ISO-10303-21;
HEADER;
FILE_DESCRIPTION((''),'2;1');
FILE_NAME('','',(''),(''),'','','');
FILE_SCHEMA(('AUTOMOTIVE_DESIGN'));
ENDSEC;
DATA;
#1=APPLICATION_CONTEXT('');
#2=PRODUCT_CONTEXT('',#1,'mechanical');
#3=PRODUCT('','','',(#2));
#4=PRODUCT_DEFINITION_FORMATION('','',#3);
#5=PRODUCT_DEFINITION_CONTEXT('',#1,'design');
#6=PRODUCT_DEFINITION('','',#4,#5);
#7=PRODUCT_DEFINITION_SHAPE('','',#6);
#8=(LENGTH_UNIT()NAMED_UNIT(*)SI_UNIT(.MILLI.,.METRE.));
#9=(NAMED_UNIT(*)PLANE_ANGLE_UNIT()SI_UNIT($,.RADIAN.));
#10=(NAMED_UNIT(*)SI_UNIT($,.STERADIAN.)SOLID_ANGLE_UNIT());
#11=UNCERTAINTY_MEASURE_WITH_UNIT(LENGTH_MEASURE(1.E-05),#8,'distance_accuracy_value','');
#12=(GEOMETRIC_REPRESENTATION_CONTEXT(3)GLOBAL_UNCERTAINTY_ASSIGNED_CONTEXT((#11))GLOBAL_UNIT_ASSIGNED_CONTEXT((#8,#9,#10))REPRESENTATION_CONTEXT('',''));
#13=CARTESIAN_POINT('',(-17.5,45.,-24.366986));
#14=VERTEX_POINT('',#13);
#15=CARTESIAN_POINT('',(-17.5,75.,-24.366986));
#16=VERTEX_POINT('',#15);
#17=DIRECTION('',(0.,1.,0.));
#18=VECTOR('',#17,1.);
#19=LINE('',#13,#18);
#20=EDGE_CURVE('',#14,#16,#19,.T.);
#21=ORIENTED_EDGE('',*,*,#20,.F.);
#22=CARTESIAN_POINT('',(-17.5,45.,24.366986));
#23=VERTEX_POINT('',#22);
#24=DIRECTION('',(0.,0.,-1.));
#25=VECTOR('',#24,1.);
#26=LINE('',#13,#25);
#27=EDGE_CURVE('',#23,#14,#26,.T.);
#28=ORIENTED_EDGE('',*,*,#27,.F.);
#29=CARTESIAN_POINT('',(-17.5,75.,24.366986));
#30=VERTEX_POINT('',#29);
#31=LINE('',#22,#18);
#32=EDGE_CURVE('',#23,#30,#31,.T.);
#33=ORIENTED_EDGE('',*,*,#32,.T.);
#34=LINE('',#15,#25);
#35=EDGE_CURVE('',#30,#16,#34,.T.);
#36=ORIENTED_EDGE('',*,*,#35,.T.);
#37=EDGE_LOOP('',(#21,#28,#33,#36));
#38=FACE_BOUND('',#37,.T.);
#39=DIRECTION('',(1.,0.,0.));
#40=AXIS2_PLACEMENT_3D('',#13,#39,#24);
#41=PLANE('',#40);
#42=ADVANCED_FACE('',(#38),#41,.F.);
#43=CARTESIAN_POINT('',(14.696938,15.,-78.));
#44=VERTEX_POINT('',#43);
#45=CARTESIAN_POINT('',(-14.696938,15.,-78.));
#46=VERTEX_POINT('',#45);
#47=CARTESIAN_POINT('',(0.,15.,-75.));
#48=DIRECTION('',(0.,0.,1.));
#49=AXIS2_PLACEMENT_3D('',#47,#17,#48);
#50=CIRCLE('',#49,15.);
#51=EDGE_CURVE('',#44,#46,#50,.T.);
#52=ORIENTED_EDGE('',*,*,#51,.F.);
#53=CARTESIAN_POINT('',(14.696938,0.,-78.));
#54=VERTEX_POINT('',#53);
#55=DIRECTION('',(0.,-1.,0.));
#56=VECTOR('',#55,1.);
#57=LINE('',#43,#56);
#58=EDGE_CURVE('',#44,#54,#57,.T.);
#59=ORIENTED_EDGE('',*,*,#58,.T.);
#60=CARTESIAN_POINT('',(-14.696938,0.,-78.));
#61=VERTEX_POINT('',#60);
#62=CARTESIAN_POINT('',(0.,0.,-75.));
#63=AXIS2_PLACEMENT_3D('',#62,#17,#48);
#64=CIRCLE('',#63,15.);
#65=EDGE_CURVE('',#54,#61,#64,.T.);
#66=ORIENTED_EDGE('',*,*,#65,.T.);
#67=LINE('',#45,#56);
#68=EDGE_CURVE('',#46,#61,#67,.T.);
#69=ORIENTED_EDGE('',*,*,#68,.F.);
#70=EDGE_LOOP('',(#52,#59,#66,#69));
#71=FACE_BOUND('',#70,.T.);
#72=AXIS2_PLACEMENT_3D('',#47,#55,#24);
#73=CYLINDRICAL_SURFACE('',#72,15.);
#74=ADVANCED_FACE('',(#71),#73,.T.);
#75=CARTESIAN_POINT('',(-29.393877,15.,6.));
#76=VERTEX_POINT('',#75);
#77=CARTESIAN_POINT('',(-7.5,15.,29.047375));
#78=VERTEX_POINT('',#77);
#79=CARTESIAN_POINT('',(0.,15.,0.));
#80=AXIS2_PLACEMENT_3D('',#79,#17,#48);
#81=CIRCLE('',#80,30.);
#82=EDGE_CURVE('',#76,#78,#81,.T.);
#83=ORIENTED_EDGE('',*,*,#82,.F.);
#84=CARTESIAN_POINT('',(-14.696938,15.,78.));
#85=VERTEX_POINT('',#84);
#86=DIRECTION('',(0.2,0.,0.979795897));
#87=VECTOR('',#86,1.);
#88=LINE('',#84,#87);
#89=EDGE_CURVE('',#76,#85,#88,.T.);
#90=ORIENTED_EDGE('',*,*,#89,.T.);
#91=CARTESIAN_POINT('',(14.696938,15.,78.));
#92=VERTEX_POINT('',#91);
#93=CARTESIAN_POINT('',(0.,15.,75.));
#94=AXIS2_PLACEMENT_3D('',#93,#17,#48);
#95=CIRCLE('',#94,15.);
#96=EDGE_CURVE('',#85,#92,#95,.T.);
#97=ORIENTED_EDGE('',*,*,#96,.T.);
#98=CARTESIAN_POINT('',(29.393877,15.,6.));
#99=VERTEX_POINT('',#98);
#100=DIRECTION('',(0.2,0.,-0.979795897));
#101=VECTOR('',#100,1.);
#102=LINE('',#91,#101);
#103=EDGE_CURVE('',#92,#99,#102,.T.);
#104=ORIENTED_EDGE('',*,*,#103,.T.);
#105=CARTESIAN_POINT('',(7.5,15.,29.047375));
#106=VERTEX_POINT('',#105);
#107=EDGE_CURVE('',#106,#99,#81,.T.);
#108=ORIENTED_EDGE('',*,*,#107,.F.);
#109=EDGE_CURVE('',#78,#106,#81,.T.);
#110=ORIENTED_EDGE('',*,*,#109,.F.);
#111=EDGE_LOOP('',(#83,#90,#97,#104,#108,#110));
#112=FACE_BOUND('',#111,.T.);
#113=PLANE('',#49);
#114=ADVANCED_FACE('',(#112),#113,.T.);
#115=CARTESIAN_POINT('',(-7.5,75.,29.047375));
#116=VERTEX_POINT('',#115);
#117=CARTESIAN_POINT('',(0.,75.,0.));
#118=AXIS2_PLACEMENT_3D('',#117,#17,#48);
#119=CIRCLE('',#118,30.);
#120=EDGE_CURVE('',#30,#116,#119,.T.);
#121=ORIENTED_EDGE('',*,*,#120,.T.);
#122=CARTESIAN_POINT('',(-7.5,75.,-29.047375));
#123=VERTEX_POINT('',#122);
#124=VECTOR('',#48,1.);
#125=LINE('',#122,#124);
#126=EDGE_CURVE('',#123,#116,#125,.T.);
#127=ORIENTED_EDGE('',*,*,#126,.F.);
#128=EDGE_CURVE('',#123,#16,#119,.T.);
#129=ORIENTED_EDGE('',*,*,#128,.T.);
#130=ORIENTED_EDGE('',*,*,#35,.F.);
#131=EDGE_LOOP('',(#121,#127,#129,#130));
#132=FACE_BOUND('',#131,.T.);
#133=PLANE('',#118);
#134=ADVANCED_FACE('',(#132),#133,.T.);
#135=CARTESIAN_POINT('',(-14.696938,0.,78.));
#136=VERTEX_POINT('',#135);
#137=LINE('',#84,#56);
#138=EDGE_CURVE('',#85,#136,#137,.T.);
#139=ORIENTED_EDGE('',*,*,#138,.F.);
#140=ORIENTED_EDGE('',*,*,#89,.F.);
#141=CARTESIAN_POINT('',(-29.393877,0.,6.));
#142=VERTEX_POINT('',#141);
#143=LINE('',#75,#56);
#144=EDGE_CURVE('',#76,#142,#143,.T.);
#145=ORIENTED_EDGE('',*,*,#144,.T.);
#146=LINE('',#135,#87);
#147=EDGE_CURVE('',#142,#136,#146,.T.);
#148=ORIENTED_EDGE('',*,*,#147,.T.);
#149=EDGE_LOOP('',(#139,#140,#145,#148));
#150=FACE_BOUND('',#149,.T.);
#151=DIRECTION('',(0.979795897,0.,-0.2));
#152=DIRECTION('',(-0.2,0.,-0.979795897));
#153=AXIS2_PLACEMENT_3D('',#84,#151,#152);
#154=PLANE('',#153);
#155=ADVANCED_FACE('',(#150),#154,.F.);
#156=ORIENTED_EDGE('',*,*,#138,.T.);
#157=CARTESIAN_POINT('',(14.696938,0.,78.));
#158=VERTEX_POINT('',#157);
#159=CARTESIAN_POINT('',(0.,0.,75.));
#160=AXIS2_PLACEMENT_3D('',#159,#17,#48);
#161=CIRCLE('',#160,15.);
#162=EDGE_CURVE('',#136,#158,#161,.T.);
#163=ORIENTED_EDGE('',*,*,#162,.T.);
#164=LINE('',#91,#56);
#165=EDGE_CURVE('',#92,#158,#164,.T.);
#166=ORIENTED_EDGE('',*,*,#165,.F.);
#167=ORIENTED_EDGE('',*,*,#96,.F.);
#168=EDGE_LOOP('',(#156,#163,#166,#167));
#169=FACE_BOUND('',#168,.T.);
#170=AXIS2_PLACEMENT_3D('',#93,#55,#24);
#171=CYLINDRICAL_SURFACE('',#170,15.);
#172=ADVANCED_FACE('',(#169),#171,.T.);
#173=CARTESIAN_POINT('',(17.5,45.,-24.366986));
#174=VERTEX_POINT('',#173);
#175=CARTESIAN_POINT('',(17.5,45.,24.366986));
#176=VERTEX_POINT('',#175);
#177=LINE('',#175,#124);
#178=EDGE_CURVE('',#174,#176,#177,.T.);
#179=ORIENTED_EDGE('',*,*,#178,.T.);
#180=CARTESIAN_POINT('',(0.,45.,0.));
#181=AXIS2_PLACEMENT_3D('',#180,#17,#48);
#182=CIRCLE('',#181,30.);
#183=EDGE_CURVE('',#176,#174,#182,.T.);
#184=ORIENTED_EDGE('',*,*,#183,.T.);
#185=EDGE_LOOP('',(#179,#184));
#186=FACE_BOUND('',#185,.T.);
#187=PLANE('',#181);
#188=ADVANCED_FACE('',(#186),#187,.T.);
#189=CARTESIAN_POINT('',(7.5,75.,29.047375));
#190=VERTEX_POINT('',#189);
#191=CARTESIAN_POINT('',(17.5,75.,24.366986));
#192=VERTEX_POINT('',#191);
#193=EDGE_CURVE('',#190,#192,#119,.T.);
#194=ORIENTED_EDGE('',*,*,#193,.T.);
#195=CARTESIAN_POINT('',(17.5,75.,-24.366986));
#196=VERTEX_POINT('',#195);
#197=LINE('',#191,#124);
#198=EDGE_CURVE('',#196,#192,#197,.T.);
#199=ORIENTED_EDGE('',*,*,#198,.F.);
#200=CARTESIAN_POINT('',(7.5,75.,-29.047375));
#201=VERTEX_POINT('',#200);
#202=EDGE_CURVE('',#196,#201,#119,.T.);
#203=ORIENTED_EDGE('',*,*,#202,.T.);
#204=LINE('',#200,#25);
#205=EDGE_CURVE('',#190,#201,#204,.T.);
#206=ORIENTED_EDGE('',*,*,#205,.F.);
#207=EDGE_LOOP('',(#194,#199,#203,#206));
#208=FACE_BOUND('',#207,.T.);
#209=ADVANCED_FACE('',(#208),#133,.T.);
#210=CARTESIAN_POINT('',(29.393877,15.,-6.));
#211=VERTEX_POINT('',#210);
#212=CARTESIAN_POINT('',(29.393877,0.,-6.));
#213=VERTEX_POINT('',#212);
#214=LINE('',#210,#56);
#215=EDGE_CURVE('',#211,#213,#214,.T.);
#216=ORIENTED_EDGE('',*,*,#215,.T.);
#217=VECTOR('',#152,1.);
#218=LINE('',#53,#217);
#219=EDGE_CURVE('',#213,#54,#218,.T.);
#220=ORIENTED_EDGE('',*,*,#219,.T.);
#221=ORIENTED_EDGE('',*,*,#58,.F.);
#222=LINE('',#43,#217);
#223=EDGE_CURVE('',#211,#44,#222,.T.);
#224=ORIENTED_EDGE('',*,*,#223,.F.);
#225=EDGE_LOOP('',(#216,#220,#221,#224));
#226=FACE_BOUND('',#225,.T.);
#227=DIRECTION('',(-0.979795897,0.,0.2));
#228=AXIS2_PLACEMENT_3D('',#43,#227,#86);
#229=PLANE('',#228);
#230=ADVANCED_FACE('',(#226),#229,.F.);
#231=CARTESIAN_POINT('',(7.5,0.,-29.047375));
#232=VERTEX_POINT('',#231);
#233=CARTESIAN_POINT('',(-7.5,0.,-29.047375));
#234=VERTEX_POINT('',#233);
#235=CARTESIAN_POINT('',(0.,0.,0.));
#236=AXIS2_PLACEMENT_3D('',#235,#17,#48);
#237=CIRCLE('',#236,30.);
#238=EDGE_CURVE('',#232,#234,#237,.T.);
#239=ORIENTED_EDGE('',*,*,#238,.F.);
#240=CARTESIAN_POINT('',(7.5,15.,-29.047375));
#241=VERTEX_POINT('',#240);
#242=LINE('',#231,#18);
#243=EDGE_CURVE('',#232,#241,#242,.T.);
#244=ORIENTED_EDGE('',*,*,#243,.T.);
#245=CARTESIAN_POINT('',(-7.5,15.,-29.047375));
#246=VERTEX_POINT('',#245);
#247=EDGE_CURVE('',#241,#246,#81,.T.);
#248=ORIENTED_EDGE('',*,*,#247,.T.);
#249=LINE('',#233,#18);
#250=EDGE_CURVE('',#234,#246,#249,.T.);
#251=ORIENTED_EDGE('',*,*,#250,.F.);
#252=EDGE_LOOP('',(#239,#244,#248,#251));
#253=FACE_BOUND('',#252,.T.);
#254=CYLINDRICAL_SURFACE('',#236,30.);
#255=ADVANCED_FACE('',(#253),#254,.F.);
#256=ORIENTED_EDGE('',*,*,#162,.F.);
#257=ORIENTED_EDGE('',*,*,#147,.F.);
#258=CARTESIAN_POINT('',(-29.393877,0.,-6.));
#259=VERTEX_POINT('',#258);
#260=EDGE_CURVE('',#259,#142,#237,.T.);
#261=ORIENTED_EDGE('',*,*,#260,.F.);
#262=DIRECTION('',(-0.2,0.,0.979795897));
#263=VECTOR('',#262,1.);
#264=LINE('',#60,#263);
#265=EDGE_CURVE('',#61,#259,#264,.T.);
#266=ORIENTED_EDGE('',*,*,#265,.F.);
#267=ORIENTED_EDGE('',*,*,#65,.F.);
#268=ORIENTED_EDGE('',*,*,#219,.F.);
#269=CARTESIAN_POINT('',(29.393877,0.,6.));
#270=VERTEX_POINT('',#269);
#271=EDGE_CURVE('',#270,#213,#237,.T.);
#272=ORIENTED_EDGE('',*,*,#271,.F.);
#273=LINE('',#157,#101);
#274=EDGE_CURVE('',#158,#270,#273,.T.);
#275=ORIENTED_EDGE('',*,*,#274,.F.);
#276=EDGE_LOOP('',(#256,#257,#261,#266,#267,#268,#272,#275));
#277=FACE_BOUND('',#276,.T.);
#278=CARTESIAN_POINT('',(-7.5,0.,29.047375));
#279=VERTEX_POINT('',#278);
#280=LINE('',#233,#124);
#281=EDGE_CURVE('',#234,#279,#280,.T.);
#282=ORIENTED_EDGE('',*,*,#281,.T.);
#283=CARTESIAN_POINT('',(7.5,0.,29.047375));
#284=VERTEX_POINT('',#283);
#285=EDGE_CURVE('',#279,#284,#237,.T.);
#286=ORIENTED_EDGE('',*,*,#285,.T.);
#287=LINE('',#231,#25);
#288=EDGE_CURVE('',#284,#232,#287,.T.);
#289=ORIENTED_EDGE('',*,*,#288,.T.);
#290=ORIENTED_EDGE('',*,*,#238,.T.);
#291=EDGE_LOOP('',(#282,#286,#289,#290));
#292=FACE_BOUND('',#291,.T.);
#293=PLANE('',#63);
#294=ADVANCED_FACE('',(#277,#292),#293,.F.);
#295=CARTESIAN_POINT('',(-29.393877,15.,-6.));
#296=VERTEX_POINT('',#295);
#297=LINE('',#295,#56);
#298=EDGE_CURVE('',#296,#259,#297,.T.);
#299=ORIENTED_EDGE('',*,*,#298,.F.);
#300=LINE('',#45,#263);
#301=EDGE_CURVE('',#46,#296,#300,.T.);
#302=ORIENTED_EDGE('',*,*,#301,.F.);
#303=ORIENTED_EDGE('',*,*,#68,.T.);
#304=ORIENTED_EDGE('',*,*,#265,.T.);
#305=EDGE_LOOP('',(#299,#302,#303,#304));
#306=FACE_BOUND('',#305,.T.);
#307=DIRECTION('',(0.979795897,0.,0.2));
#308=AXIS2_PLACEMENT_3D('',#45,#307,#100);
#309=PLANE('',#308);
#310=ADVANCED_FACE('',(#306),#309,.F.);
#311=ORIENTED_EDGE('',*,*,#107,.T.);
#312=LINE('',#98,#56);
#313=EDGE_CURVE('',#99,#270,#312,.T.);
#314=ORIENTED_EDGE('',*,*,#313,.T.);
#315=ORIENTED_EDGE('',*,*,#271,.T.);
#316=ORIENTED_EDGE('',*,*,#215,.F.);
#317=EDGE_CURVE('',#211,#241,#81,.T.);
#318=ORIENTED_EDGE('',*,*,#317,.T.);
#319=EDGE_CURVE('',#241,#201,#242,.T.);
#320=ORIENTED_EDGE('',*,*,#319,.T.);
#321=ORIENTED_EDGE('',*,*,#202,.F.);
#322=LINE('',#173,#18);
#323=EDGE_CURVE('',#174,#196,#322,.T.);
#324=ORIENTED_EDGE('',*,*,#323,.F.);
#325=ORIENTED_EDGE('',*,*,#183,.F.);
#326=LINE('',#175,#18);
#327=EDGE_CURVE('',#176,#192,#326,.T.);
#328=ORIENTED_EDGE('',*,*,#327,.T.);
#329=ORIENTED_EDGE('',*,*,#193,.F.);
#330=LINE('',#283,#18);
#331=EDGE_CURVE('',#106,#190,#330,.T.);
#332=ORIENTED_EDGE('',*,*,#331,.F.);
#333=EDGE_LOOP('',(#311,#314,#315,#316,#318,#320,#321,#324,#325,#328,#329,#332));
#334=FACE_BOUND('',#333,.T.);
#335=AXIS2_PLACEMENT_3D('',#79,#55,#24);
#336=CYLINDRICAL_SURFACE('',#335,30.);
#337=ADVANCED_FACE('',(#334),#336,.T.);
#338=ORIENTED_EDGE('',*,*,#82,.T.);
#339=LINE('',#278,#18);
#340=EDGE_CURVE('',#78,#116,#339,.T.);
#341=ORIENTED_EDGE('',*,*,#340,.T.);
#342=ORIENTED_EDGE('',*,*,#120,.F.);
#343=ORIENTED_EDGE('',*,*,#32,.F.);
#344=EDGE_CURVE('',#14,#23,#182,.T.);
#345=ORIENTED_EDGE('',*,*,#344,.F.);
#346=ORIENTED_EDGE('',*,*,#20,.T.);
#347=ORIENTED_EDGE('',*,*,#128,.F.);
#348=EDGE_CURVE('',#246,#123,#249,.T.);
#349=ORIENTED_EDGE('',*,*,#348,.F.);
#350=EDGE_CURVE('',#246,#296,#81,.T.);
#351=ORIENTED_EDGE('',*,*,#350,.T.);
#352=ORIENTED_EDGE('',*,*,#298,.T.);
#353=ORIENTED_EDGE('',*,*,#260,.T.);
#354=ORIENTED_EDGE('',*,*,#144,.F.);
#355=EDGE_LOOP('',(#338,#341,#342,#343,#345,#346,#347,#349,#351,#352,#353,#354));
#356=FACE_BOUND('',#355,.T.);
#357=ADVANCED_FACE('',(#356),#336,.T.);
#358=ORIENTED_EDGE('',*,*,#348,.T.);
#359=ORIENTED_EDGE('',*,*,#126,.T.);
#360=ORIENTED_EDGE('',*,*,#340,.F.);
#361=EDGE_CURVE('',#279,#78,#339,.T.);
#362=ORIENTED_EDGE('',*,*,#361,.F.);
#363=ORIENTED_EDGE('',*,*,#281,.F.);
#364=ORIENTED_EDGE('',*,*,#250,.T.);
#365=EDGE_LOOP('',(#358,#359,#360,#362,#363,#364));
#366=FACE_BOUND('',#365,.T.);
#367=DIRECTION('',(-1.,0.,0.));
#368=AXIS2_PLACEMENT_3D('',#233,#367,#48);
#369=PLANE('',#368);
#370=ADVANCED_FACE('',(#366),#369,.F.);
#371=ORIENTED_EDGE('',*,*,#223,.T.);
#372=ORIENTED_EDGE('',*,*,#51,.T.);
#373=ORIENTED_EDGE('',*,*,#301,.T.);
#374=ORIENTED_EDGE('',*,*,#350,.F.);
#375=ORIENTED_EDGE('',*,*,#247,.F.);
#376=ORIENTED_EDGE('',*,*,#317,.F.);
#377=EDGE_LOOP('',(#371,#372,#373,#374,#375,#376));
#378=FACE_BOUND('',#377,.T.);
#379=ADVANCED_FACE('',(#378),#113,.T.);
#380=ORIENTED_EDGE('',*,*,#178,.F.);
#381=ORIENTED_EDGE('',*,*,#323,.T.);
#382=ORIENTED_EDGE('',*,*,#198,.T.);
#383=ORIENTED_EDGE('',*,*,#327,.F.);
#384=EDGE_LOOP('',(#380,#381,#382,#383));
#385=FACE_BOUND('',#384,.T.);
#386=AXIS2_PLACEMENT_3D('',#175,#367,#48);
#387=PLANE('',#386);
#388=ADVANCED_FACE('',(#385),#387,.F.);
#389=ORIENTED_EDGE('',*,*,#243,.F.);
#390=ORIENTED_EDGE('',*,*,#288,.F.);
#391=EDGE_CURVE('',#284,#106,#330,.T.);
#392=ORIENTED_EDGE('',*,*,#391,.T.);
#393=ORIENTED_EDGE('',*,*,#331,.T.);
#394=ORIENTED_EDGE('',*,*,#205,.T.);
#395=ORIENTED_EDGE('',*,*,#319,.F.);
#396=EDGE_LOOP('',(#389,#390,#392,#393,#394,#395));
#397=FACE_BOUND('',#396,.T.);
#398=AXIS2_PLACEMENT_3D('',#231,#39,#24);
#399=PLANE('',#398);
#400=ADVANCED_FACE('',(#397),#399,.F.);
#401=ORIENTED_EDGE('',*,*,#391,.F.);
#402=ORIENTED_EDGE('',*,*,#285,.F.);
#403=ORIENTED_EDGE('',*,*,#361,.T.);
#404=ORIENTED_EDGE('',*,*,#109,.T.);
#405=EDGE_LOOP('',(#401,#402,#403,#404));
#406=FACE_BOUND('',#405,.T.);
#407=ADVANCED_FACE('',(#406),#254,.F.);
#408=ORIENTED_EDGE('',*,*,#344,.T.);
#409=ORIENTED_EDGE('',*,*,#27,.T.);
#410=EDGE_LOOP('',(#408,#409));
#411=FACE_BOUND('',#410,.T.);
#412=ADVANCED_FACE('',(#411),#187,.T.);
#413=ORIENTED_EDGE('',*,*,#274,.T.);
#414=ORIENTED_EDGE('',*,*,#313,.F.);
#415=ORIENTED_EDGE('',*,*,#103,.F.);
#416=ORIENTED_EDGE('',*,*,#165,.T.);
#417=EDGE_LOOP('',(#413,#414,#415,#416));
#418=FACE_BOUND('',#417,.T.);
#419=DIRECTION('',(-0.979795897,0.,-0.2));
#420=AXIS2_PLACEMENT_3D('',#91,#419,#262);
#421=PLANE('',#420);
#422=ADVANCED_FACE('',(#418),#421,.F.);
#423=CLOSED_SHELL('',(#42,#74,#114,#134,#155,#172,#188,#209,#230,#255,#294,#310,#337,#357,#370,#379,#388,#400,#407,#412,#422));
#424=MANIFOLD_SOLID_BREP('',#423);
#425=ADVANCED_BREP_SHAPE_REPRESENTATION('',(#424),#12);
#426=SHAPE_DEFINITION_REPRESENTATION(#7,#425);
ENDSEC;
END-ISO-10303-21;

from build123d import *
from build123d.topology import SkipClean

# Parameters (mm, degrees)
BOSS_EXTRUDE1_DEPTH = 15
SKETCH2_R           = 30
BOSS_EXTRUDE2_DEPTH = 60
CUT_EXTRUDE1_DEPTH  = 121.933866224
CUT_EXTRUDE2_START  = -30
CUT_EXTRUDE2_DEPTH  = 30


with BuildPart() as part:
    # Sketch1 → Boss-Extrude1 (new body)
    with BuildSketch(Plane(origin=(0, 0, 0), x_dir=(1, 0, 0), z_dir=(0, 1, 0))):
        with BuildLine():
            Line((-14.696938457, 78), (-29.393876913, 6))
            ThreePointArc((-29.393876913, 6), (-30, 0), (-29.393876913, -6))
            Line((-29.393876913, -6), (-14.696938457, -78))
            ThreePointArc((-14.696938457, -78), (0, -90), (14.696938457, -78))
            Line((14.696938457, -78), (29.393876913, -6))
            ThreePointArc((29.393876913, -6), (30, 0), (29.393876913, 6))
            Line((29.393876913, 6), (14.696938457, 78))
            ThreePointArc((14.696938457, 78), (0, 90), (-14.696938457, 78))
        make_face()
    extrude(amount=BOSS_EXTRUDE1_DEPTH)

    # Sketch2 → Boss-Extrude2 (add)
    with BuildSketch(Plane(origin=(0, 15, 0), x_dir=(1, 0, 0), z_dir=(0, 1, 0))):
        with Locations(Location((0, 0, 0), (0, 0, 11.536959033))):
            Circle(SKETCH2_R)
    extrude(amount=BOSS_EXTRUDE2_DEPTH)

    # Sketch3 → Cut-Extrude1 (cut, through all)
    with SkipClean():  # the faces are left unmerged after this step: merging them gives an invalid solid
        with BuildSketch(Plane(origin=(0, 75, 0), x_dir=(1, 0, 0), z_dir=(0, 1, 0))):
            with BuildLine():
                Line((-7.5, 29.047375097), (-7.5, -29.047375097))
                ThreePointArc((-7.5, -29.047375097), (0, -30), (7.5, -29.047375097))
                Line((7.5, -29.047375097), (7.5, 29.047375097))
                ThreePointArc((7.5, 29.047375097), (0, 30), (-7.5, 29.047375097))
            make_face()
        extrude(amount=-CUT_EXTRUDE1_DEPTH, mode=Mode.SUBTRACT)

    # Sketch4 → Cut-Extrude2 (cut)
    with SkipClean():  # the faces are left unmerged after this step: merging them gives an invalid solid
        with BuildSketch(Plane(origin=(0, 75, 0), x_dir=(1, 0, 0), z_dir=(0, 1, 0)).offset(CUT_EXTRUDE2_START)):
            with BuildLine():
                Line((-17.5, 24.366985862), (-17.5, -24.366985862))
                ThreePointArc((-17.5, -24.366985862), (-30, 0), (-17.5, 24.366985862))
            make_face()
            with BuildLine():
                Line((17.5, -24.366985862), (17.5, 24.366985862))
                ThreePointArc((17.5, 24.366985862), (30, 0), (17.5, -24.366985862))
            make_face()
        extrude(amount=CUT_EXTRUDE2_DEPTH, mode=Mode.SUBTRACT)


solid = part.part
